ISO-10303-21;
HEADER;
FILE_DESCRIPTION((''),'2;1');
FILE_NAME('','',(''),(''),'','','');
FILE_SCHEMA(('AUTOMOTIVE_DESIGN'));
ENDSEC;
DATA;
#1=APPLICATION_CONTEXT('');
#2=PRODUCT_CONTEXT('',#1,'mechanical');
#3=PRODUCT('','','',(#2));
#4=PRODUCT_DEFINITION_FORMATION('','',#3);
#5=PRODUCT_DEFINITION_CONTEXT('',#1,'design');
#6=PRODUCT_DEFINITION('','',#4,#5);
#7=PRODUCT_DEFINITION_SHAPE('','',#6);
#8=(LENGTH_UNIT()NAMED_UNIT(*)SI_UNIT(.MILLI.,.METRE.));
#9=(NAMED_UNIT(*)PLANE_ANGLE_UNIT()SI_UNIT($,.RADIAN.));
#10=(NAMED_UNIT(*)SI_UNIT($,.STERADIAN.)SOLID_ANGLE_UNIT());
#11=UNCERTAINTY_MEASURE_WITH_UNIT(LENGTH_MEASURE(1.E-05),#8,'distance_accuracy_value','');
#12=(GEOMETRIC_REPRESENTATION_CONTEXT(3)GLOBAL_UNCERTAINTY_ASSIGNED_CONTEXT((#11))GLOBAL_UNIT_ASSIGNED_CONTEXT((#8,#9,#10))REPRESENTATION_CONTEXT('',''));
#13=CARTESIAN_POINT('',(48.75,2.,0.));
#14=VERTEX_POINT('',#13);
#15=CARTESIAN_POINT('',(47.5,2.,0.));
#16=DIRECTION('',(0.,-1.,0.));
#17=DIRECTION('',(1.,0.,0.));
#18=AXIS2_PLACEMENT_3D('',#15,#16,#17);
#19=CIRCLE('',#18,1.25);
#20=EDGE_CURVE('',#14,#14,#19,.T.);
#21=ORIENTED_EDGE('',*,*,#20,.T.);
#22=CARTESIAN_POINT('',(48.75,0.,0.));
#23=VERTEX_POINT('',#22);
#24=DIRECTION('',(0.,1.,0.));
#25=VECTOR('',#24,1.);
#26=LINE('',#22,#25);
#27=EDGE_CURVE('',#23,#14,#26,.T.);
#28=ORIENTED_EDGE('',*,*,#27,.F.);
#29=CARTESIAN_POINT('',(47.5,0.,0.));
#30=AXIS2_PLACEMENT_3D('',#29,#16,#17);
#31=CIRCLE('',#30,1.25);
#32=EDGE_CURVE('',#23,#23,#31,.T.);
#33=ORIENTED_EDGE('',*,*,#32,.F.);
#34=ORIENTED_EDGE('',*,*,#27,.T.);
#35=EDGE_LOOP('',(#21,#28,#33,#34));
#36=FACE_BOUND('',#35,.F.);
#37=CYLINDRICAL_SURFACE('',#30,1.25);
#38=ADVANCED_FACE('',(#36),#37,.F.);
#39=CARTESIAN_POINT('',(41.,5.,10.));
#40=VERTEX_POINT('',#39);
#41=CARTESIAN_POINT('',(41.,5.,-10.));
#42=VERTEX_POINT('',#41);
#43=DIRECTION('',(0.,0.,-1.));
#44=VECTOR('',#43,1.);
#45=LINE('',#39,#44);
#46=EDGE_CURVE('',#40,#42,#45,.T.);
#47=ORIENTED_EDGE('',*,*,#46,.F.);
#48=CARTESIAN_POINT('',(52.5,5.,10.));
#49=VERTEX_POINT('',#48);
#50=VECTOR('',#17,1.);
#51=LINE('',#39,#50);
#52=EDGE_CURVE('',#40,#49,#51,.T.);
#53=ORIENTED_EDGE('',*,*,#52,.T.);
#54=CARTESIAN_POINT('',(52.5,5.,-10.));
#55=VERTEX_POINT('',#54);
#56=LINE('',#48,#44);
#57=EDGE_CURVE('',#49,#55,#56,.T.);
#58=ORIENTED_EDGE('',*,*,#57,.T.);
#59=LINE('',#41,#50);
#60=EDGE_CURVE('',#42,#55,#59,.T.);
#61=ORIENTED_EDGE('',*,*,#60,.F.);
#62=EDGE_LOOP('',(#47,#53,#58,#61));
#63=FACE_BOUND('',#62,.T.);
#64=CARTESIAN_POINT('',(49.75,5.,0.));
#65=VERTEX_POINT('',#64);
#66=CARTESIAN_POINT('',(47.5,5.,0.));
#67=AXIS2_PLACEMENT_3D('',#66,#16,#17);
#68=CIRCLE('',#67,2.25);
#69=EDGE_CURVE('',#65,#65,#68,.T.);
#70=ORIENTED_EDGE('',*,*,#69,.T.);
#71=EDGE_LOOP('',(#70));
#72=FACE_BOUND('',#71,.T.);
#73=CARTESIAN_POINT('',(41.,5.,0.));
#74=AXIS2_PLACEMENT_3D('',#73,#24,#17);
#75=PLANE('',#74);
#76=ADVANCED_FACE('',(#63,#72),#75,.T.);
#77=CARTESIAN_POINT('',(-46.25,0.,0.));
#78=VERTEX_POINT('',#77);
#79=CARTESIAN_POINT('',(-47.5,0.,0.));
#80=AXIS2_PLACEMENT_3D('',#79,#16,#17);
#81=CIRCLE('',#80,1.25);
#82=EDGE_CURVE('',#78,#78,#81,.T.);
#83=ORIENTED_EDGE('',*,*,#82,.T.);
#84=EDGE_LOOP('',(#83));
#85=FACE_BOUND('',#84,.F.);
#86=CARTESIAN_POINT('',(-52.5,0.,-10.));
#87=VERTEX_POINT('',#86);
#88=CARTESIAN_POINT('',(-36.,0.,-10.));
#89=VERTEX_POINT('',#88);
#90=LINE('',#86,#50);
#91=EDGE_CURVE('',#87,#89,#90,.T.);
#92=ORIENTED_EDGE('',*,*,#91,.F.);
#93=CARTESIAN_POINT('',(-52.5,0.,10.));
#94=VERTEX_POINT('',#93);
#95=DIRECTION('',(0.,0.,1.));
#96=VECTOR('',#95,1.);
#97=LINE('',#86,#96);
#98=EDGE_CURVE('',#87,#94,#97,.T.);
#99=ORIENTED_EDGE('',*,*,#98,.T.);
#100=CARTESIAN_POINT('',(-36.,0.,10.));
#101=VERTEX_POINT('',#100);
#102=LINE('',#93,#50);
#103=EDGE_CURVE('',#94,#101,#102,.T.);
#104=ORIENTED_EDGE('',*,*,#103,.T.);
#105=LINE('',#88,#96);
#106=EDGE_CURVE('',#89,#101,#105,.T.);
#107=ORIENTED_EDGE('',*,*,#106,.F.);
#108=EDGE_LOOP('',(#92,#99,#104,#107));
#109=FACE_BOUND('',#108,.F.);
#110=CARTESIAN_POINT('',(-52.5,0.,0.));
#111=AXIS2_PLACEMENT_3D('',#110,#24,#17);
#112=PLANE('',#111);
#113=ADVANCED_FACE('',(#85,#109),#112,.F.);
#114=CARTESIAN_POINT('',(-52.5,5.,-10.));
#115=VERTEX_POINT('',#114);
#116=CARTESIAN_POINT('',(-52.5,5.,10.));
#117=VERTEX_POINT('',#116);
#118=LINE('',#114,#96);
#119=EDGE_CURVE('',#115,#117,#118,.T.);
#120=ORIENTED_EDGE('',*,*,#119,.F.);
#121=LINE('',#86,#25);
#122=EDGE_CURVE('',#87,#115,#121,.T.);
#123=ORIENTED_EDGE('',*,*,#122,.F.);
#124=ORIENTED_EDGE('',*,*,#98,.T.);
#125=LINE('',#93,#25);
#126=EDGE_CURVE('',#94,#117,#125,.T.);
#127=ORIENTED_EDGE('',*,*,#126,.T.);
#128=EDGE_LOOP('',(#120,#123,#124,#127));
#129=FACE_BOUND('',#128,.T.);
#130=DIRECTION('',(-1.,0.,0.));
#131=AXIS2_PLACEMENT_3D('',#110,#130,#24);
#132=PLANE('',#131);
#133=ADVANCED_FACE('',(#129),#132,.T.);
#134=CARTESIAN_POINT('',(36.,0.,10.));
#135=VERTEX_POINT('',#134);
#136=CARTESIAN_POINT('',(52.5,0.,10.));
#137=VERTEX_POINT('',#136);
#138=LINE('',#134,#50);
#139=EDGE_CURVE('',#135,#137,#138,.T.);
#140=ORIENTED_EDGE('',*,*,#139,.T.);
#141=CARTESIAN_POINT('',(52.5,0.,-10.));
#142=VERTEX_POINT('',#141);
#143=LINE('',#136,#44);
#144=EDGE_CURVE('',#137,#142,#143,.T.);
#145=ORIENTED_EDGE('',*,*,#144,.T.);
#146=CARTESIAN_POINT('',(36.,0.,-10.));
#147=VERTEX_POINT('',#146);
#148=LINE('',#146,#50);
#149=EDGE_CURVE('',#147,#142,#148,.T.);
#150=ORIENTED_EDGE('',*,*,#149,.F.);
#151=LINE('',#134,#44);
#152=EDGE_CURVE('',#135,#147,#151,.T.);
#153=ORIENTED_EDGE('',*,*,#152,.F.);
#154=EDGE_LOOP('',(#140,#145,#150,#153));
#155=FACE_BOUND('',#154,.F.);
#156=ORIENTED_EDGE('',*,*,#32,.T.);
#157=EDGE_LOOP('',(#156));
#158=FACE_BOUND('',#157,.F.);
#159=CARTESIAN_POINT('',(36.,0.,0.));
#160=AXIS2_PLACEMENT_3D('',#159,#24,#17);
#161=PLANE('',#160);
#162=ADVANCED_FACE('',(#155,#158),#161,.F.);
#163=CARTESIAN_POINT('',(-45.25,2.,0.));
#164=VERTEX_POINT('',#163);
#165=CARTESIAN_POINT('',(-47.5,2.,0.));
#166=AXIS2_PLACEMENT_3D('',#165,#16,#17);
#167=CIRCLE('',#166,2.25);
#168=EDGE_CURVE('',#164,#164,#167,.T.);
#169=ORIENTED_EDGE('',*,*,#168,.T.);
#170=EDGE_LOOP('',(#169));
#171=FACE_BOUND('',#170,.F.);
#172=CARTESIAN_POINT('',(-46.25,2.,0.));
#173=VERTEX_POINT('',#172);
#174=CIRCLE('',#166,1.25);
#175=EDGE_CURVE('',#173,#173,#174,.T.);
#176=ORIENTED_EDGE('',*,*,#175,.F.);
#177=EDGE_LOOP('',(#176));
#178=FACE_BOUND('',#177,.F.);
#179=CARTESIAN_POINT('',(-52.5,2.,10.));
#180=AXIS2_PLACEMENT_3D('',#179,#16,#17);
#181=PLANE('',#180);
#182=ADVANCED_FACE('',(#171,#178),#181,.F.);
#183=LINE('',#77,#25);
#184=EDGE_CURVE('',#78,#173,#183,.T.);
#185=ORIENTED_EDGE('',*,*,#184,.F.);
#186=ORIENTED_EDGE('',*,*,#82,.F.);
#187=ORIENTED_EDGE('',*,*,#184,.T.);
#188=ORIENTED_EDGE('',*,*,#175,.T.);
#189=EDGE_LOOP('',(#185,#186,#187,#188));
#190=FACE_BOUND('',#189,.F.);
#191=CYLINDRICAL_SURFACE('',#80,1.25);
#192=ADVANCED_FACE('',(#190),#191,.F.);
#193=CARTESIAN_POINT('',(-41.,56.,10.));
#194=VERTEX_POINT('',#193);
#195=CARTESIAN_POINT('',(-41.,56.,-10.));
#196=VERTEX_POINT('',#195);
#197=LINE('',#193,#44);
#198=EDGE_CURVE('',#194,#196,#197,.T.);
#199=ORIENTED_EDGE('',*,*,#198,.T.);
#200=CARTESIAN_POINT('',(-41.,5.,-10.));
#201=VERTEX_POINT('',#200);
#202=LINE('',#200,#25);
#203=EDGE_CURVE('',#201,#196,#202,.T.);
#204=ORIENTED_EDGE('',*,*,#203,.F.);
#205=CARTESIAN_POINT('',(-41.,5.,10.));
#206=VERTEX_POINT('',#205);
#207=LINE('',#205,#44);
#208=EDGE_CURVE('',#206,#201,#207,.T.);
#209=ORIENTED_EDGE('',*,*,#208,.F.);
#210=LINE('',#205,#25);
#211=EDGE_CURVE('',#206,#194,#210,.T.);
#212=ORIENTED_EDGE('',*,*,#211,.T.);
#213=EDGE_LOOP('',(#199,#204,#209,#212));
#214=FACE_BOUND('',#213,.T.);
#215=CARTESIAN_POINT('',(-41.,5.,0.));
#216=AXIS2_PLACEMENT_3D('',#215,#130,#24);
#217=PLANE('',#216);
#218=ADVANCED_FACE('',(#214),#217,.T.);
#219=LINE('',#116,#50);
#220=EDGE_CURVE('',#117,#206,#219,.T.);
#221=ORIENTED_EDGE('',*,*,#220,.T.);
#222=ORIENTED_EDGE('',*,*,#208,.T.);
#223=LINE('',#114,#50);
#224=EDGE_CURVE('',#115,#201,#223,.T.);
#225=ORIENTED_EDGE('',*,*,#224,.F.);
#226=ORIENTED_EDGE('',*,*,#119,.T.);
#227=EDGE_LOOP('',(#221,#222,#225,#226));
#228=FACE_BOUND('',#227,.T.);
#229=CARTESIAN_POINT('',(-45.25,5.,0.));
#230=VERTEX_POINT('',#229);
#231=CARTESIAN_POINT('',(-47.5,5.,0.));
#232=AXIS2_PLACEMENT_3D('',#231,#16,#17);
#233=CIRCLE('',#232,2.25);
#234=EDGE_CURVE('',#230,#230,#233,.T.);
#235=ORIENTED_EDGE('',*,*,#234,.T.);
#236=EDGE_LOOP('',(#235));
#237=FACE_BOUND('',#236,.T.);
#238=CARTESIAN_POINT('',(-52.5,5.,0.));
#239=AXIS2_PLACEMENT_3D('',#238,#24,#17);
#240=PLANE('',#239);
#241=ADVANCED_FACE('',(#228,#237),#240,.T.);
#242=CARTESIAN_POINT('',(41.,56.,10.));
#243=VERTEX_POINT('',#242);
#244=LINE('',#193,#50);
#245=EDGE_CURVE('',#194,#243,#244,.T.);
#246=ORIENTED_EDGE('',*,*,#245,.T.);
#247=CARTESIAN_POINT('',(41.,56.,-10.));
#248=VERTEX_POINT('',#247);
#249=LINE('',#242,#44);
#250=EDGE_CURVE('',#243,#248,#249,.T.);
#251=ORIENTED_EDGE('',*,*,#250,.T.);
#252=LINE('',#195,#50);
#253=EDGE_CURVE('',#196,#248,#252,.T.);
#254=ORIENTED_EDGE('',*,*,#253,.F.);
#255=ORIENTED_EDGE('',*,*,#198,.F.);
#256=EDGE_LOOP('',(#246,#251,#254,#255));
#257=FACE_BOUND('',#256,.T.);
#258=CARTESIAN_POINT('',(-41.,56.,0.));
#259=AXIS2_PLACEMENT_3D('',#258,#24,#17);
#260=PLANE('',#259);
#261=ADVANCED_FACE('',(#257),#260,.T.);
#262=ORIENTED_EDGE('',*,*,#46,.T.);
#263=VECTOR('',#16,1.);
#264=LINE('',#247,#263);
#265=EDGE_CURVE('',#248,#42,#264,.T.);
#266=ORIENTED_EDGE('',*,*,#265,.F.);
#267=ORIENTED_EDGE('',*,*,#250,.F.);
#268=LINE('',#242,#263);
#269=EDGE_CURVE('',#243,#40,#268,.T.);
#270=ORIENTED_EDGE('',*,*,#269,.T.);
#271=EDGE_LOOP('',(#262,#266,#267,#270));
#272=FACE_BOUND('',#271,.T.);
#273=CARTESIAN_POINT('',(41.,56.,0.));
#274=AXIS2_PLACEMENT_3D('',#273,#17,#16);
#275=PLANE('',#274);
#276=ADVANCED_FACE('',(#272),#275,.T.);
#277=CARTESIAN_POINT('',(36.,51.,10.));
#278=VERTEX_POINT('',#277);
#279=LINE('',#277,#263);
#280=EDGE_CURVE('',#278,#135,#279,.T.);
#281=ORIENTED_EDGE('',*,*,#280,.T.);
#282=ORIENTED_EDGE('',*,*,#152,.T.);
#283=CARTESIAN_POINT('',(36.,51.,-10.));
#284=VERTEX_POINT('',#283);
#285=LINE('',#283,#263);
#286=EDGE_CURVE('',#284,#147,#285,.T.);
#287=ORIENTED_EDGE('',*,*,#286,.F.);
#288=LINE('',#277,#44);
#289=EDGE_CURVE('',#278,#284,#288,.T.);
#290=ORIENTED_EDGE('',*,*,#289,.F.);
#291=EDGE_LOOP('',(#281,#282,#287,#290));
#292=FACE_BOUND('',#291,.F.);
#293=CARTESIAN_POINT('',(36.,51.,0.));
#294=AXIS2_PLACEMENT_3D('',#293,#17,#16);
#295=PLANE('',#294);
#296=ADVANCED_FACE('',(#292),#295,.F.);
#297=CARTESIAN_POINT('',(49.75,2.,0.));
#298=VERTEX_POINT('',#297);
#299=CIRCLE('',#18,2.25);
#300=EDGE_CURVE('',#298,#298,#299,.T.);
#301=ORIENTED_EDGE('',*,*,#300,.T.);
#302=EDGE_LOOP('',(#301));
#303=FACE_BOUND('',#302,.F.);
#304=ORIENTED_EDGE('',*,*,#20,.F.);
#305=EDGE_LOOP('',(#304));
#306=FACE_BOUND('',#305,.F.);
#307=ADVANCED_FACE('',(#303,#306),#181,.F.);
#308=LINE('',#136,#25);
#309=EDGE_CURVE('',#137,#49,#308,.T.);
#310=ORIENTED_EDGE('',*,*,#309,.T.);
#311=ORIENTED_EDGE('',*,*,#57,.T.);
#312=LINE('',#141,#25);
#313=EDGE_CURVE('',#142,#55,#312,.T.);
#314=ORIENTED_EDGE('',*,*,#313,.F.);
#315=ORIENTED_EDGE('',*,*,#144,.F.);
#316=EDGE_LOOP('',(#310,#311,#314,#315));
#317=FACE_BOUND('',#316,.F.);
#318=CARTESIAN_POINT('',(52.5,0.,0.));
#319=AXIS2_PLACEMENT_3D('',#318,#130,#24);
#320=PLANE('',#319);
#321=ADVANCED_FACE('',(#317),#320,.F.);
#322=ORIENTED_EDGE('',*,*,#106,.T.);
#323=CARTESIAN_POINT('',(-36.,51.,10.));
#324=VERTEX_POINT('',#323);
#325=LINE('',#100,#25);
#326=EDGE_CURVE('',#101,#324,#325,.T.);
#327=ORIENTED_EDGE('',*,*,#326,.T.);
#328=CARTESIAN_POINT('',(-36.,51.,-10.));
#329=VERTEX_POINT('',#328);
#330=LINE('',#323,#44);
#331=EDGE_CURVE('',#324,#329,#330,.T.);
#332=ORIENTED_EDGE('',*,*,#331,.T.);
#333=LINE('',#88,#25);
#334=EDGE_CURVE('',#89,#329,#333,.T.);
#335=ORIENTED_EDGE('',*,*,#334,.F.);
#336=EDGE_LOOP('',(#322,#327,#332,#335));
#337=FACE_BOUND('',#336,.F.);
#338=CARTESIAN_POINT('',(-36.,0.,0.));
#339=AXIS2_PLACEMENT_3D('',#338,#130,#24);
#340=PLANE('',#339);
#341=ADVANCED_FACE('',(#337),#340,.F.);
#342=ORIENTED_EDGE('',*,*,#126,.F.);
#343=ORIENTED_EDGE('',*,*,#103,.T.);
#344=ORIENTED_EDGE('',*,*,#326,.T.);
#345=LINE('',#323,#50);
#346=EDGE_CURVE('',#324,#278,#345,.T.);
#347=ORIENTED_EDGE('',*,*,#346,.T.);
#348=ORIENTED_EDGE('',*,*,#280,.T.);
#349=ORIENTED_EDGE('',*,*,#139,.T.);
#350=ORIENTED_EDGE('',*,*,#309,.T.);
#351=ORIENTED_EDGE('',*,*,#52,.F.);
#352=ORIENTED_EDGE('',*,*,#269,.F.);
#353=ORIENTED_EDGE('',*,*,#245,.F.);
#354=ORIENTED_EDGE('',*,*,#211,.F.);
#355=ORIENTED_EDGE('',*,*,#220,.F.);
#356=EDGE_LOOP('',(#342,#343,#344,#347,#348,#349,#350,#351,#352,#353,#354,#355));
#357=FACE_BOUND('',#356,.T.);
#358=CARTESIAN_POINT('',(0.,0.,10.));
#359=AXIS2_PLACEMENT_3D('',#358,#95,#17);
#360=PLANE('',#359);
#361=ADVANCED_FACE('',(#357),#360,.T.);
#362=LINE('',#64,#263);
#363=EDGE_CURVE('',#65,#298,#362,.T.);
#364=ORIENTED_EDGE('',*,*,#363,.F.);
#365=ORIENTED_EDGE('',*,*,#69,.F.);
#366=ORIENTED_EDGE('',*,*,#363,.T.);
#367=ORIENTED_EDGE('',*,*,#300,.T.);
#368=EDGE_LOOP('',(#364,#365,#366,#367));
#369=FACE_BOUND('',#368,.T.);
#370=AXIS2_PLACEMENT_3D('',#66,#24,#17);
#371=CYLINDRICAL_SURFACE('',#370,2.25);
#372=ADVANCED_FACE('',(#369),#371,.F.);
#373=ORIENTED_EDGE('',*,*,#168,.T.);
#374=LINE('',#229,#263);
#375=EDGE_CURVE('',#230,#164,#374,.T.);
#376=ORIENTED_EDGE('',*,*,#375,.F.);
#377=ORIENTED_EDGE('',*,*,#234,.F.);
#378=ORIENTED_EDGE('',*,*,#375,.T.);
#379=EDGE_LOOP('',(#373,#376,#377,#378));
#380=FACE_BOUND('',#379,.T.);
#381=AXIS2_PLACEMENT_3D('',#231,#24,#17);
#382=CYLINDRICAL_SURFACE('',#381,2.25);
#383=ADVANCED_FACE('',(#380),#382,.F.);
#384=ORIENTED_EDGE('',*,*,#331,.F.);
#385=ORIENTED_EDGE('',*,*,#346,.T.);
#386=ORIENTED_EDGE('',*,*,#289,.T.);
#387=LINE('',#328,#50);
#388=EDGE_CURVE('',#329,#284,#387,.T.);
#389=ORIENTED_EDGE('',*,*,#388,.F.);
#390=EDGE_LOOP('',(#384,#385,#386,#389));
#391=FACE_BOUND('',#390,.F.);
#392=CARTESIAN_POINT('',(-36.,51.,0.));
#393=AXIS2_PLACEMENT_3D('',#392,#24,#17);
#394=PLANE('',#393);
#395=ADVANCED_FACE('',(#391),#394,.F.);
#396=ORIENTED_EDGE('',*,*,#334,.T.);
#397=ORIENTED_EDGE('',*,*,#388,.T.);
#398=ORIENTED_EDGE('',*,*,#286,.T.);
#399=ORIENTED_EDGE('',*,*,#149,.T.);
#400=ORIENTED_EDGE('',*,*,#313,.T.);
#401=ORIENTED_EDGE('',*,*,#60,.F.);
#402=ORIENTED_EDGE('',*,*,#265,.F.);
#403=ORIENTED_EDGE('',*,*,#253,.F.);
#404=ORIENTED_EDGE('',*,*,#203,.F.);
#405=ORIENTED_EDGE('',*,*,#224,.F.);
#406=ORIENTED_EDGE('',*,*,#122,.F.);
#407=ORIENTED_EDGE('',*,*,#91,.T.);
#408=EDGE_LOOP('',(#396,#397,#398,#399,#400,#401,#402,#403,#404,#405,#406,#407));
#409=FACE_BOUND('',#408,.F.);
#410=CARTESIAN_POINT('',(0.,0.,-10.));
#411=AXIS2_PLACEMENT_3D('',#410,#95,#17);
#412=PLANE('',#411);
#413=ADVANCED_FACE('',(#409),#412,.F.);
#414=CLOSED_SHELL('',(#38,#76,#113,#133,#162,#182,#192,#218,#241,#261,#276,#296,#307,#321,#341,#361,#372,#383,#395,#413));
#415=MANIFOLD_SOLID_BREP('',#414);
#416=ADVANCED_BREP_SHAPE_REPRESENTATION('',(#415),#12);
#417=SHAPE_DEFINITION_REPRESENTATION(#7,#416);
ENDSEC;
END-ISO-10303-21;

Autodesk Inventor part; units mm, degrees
ref_plane "YZ Plane" through (0, 0, 0) normal (1, 0, 0) x (0, 1, 0)
ref_plane "XZ Plane" through (0, 0, 0) normal (0, 1, 0) x (-1, 0, 0)
ref_plane "XY Plane" through (0, 0, 0) normal (0, 0, 1) x (1, 0, 0)
sketch "Sketch1" plane through (0, 0, 0) normal (0, 0, 1) x (1, 0, 0)
  line L0 (-52.5, 5) -> (-41, 5)
  line L1 (-41, 5) -> (-41, 56)
  line L2 (-41, 56) -> (41, 56)
  line L3 (41, 56) -> (41, 5)
  line L4 (41, 5) -> (52.5, 5)
  line L5 (-36, 0) -> (-36, 51)
  line L6 (-36, 51) -> (36, 51)
  line L7 (36, 51) -> (36, 0)
  line L8 (0, 0) -> (0, -25.7238) construction
  line L9 (52.5, 0) -> (52.5, 5)
  line L10 (-52.5, 0) -> (-52.5, 5)
  line L11 (-52.5, 0) -> (-36, 0)
  line L12 (36, 0) -> (52.5, 0)
  dimension "d1" = 5
  dimension "d2" = 5
  dimension "d3" = 5
  dimension "d5" = 72
  dimension "d6" = 51
  dimension "d7" = 16.5
  dimension "d8" = 5
extrude "Extrusion1" add sketch "Sketch1" along normal mid plane 20
sketch "Sketch2" plane through (-52.5, 0, 10) normal (0, -1, 0) x (1, 0, 0)
  circle A0 centre (5, -10) radius 1.25
  circle A1 centre (100, -10) radius 1.25
  line L0 (52.5, -10) -> (52.5, 0) construction
  line L1 (16.5, 0) -> (88.5, 0) construction
  circle A2 centre (5, -10) radius 2.25
  circle A3 centre (100, -10) radius 2.25
  dimension "d11" = 2.5
  dimension "d12" = 95
  dimension "d15" = 4.5
extrude "Extrusion2" cut sketch "Sketch2" against normal through all contours A0 | A1
extrude "Extrusion3" cut sketch "Sketch2" along normal blind 3 from surface at -5
equation "\"d1\" = d8"
equation "\"d2\" = d8"
equation "\"d3\" = d8"
properties part number "battery_fix"
